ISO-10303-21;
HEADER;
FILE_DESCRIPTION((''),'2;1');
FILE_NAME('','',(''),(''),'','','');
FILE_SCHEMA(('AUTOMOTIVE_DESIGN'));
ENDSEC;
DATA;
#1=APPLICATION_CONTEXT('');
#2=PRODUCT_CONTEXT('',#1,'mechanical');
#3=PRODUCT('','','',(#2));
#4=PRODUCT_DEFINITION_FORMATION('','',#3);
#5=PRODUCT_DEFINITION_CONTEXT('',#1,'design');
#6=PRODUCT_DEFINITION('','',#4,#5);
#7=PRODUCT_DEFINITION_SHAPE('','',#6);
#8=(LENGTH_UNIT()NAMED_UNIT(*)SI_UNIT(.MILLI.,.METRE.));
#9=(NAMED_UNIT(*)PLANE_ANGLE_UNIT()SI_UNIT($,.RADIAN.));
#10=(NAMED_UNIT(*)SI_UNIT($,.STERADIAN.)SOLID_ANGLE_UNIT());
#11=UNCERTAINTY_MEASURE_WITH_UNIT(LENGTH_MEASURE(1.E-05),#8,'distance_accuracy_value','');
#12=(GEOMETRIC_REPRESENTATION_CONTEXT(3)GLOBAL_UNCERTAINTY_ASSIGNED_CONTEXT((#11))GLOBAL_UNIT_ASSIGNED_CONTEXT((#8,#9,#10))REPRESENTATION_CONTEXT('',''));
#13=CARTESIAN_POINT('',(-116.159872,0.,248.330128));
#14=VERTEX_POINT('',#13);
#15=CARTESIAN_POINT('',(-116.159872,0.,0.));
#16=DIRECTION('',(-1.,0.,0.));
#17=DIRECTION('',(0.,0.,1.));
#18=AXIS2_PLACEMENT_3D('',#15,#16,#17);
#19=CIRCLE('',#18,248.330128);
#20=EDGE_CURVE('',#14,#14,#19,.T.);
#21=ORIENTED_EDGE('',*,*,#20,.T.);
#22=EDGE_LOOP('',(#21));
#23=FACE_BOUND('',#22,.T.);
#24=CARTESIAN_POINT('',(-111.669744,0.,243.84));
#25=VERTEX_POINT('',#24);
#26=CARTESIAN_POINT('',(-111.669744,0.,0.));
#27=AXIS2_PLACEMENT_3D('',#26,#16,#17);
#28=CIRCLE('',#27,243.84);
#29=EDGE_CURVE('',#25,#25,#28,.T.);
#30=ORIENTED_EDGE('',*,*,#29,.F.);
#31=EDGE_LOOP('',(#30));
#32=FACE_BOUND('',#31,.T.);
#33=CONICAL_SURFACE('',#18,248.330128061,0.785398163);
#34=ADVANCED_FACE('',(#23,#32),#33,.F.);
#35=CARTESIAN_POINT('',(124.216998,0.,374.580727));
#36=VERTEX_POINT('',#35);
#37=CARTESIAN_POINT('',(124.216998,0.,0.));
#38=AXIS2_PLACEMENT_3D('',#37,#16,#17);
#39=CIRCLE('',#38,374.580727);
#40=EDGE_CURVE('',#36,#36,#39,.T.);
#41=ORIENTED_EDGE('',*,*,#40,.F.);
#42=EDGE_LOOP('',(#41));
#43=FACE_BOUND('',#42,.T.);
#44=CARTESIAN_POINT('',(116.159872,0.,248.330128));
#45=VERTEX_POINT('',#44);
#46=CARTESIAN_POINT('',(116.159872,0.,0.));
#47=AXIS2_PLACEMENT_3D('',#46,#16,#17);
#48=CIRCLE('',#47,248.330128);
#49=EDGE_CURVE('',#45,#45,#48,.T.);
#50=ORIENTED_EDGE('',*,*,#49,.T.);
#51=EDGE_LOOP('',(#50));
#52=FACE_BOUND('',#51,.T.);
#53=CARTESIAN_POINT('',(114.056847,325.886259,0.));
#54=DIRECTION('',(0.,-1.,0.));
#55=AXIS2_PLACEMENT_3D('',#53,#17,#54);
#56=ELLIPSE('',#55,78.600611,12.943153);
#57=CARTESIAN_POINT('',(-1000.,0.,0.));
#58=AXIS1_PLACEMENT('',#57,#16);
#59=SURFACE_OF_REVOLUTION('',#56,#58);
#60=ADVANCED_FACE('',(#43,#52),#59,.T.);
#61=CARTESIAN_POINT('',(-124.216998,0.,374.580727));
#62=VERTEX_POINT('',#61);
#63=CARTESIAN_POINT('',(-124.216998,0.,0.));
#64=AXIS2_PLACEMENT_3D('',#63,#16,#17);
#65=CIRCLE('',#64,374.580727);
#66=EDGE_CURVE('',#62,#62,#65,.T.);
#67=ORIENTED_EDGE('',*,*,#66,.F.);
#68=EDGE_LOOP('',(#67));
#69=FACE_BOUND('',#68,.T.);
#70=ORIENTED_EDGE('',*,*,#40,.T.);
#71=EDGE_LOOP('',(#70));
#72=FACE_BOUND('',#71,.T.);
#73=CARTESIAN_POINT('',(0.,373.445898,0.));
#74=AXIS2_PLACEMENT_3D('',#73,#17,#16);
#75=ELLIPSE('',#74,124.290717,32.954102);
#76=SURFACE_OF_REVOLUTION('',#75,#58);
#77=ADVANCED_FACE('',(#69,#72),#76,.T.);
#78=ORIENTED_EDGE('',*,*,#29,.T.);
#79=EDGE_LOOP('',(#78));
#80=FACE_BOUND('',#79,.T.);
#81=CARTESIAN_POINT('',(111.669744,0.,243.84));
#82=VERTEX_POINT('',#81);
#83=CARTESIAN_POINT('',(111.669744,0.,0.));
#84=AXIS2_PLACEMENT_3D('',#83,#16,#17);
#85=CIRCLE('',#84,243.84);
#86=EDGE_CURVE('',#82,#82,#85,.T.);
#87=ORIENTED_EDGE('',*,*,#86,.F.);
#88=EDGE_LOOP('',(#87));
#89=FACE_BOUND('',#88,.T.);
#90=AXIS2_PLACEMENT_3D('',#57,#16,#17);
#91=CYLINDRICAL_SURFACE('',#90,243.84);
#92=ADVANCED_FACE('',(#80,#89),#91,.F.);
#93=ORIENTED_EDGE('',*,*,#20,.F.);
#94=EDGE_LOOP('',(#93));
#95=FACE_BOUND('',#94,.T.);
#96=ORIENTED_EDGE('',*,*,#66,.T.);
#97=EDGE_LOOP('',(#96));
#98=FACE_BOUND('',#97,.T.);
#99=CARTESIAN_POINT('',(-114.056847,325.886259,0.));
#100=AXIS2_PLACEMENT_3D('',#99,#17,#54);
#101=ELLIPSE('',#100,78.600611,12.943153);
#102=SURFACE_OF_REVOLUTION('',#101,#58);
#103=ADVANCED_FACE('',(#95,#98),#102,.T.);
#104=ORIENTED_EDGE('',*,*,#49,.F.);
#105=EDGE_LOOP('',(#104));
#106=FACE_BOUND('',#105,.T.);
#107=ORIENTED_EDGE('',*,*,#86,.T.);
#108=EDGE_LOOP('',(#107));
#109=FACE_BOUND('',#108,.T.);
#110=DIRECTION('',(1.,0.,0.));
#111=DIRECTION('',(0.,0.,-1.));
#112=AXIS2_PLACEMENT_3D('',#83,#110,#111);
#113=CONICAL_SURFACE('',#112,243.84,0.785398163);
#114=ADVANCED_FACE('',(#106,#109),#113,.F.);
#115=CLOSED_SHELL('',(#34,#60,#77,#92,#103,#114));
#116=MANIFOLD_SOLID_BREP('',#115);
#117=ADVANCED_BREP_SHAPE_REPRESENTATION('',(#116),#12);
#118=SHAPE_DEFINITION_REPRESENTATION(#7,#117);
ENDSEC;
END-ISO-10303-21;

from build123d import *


with BuildPart() as part:
    # Sketch1 → Revolve1 (revolve)
    with BuildSketch(Plane.XY):
        with BuildLine():
            Line((-111.669743879, 243.84), (111.669743879, 243.84))
            Line((111.669743879, 243.84), (116.159871939, 248.330128061))
            add(Edge.make_bspline(
                [(116.159871939, 248.330128061), (137.810721683, 269.980977804), (124.216998202, 374.580726901)],
                knots=[3.304797887, 3.304797887, 3.304797887, 5.380517095, 5.380517095, 5.380517095], degree=2, weights=[1, 0.508064983, 1]))
            add(Edge.make_bspline(
                [(124.216998202, 374.580726901), (120.081783695, 406.4), (0, 406.4), (-120.081783695, 406.4), (-124.216998202, 374.580726901)],
                knots=[3.176036115, 3.176036115, 3.176036115, 4.71238898, 4.71238898, 6.248741846, 6.248741846, 6.248741846], degree=2, weights=[1, 0.719178925, 1, 0.719178925, 1]))
            add(Edge.make_bspline(
                [(-124.216998202, 374.580726901), (-137.810721683, 269.980977804), (-116.159871939, 248.330128061)],
                knots=[0.902668212, 0.902668212, 0.902668212, 2.97838742, 2.97838742, 2.97838742], degree=2, weights=[1, 0.508064983, 1]))
            Line((-116.159871939, 248.330128061), (-111.669743879, 243.84))
        make_face()
    revolve(axis=Axis((-1000, 0, 0), (1, 0, 0)))


solid = part.part
